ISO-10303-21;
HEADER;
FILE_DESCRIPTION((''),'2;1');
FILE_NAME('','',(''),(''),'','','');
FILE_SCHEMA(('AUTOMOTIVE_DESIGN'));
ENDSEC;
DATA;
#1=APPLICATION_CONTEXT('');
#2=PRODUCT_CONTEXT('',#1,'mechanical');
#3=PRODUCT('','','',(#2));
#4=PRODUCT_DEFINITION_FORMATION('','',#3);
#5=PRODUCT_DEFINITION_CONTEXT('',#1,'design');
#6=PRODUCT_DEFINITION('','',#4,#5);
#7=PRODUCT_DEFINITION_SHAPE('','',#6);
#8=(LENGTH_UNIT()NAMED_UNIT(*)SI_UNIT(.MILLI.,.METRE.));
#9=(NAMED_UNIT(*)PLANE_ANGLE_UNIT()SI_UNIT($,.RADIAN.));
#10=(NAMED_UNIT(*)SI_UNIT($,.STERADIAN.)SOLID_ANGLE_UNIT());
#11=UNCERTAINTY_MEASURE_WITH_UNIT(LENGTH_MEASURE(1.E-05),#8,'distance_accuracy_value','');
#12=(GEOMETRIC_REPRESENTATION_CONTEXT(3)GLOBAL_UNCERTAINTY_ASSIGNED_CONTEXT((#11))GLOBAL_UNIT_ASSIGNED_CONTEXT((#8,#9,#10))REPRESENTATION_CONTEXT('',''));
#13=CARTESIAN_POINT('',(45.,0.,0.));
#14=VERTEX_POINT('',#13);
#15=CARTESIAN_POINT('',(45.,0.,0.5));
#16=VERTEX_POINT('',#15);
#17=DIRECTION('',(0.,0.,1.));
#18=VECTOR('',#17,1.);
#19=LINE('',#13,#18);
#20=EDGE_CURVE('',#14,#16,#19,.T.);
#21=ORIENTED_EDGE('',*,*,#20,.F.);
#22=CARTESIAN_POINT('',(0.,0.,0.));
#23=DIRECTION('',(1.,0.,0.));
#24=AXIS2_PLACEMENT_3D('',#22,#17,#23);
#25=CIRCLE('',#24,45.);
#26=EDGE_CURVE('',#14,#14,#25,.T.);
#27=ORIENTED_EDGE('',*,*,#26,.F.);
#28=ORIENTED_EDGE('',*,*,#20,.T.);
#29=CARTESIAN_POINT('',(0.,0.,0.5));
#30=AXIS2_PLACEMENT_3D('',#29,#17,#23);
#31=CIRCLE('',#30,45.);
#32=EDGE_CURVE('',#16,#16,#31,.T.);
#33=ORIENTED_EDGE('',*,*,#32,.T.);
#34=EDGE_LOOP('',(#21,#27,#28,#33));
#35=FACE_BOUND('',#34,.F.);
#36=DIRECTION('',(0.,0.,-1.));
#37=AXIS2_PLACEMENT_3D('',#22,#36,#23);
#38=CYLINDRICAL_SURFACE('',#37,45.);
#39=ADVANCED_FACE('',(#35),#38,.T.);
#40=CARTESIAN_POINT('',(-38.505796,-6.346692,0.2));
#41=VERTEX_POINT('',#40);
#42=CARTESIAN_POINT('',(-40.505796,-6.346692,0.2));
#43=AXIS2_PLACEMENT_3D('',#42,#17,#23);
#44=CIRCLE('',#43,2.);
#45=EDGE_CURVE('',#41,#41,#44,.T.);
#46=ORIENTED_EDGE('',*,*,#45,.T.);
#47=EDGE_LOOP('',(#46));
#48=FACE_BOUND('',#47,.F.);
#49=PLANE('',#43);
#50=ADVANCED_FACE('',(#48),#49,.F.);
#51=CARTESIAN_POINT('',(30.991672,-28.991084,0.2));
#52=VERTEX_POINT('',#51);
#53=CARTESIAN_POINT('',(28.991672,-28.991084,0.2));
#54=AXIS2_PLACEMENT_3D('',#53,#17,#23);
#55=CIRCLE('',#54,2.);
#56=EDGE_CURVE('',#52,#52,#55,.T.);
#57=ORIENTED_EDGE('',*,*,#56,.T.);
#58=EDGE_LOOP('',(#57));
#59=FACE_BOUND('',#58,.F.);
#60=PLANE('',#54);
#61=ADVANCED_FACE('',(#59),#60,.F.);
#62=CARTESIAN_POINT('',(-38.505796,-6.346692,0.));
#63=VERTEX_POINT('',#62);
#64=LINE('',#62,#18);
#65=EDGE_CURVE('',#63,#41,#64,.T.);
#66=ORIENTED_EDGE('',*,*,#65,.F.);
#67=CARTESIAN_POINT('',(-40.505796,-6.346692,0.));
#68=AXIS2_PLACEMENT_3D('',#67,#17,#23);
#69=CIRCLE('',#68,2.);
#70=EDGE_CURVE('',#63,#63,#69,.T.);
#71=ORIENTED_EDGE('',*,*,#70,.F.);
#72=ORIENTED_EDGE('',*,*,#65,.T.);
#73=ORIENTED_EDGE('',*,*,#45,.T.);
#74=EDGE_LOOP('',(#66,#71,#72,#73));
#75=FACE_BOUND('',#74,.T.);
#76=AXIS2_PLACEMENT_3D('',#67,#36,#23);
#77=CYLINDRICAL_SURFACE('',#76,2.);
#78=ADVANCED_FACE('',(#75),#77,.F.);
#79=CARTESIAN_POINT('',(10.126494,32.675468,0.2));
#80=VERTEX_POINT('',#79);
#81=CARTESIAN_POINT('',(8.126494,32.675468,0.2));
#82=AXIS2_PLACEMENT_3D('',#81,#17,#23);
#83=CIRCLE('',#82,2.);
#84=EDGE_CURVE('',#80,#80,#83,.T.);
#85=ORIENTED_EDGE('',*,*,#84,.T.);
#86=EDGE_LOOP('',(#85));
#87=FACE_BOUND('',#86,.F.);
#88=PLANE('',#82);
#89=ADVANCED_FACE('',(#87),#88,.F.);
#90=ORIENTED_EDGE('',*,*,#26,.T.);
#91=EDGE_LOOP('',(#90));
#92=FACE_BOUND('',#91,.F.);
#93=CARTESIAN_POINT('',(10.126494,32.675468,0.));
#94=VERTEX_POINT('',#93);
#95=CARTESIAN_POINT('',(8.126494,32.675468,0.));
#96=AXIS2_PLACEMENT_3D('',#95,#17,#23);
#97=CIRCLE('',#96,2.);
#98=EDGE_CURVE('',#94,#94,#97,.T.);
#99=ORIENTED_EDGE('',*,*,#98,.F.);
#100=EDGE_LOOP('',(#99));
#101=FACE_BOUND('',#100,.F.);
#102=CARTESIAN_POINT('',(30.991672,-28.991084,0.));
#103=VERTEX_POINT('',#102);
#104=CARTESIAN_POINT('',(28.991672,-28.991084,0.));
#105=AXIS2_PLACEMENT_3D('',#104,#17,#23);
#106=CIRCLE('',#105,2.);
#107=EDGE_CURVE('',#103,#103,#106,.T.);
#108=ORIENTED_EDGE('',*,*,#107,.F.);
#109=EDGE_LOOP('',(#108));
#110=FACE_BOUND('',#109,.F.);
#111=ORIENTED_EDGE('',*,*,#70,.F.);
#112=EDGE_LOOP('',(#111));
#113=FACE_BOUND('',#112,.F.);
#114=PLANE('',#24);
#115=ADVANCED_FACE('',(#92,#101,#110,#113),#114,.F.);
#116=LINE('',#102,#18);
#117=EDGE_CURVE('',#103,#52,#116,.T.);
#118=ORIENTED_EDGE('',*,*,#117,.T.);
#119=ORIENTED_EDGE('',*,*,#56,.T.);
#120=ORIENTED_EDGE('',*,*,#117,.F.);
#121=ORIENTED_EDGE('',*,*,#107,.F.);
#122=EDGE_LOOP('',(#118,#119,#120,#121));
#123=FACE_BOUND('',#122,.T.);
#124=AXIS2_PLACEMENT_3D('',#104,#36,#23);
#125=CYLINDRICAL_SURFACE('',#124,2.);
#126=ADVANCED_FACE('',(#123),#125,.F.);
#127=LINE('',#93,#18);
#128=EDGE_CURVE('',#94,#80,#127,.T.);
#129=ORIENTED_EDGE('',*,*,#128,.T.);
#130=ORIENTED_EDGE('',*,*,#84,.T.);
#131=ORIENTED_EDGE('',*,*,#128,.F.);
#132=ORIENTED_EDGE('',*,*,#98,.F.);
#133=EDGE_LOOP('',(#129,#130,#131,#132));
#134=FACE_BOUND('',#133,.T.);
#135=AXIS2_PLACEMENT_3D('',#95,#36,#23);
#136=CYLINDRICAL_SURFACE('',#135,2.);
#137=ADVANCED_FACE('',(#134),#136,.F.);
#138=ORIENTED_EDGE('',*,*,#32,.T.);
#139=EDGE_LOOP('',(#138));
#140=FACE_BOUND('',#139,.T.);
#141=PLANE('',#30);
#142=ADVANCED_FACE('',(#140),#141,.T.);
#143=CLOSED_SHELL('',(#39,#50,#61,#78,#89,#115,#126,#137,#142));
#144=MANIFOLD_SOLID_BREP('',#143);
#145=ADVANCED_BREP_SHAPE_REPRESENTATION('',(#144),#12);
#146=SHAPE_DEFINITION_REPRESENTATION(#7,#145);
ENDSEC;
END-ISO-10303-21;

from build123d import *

# Parameters (mm, degrees)
F0_R     = 45
F0_R_2   = 2
F1_DEPTH = 0.5
F2_DEPTH = 0.2


with BuildPart() as f1:
    # F0 (on Top) → F1 (new body)
    with BuildSketch(Plane.XY):
        Circle(F0_R)
        with Locations((-40.505796, -6.346692)):
            Circle(F0_R_2, mode=Mode.SUBTRACT)
        with Locations((28.991672, -28.991084)):
            Circle(F0_R_2, mode=Mode.SUBTRACT)
        with Locations((8.126494, 32.675468)):
            Circle(F0_R_2, mode=Mode.SUBTRACT)
        with Locations((8.126494, 32.675468)):
            Circle(F0_R_2)
        with Locations((-40.505796, -6.346692)):
            Circle(F0_R_2)
        with Locations((28.991672, -28.991084)):
            Circle(F0_R_2)
    extrude(amount=F1_DEPTH)

    # F0 (on Top) → F2 (cut)
    with BuildSketch(Plane.XY):
        with Locations((-40.505796, -6.346692)):
            Circle(F0_R_2)
        with Locations((8.126494, 32.675468)):
            Circle(F0_R_2)
        with Locations((28.991672, -28.991084)):
            Circle(F0_R_2)
    extrude(amount=F2_DEPTH, mode=Mode.SUBTRACT)


solid = f1.part
